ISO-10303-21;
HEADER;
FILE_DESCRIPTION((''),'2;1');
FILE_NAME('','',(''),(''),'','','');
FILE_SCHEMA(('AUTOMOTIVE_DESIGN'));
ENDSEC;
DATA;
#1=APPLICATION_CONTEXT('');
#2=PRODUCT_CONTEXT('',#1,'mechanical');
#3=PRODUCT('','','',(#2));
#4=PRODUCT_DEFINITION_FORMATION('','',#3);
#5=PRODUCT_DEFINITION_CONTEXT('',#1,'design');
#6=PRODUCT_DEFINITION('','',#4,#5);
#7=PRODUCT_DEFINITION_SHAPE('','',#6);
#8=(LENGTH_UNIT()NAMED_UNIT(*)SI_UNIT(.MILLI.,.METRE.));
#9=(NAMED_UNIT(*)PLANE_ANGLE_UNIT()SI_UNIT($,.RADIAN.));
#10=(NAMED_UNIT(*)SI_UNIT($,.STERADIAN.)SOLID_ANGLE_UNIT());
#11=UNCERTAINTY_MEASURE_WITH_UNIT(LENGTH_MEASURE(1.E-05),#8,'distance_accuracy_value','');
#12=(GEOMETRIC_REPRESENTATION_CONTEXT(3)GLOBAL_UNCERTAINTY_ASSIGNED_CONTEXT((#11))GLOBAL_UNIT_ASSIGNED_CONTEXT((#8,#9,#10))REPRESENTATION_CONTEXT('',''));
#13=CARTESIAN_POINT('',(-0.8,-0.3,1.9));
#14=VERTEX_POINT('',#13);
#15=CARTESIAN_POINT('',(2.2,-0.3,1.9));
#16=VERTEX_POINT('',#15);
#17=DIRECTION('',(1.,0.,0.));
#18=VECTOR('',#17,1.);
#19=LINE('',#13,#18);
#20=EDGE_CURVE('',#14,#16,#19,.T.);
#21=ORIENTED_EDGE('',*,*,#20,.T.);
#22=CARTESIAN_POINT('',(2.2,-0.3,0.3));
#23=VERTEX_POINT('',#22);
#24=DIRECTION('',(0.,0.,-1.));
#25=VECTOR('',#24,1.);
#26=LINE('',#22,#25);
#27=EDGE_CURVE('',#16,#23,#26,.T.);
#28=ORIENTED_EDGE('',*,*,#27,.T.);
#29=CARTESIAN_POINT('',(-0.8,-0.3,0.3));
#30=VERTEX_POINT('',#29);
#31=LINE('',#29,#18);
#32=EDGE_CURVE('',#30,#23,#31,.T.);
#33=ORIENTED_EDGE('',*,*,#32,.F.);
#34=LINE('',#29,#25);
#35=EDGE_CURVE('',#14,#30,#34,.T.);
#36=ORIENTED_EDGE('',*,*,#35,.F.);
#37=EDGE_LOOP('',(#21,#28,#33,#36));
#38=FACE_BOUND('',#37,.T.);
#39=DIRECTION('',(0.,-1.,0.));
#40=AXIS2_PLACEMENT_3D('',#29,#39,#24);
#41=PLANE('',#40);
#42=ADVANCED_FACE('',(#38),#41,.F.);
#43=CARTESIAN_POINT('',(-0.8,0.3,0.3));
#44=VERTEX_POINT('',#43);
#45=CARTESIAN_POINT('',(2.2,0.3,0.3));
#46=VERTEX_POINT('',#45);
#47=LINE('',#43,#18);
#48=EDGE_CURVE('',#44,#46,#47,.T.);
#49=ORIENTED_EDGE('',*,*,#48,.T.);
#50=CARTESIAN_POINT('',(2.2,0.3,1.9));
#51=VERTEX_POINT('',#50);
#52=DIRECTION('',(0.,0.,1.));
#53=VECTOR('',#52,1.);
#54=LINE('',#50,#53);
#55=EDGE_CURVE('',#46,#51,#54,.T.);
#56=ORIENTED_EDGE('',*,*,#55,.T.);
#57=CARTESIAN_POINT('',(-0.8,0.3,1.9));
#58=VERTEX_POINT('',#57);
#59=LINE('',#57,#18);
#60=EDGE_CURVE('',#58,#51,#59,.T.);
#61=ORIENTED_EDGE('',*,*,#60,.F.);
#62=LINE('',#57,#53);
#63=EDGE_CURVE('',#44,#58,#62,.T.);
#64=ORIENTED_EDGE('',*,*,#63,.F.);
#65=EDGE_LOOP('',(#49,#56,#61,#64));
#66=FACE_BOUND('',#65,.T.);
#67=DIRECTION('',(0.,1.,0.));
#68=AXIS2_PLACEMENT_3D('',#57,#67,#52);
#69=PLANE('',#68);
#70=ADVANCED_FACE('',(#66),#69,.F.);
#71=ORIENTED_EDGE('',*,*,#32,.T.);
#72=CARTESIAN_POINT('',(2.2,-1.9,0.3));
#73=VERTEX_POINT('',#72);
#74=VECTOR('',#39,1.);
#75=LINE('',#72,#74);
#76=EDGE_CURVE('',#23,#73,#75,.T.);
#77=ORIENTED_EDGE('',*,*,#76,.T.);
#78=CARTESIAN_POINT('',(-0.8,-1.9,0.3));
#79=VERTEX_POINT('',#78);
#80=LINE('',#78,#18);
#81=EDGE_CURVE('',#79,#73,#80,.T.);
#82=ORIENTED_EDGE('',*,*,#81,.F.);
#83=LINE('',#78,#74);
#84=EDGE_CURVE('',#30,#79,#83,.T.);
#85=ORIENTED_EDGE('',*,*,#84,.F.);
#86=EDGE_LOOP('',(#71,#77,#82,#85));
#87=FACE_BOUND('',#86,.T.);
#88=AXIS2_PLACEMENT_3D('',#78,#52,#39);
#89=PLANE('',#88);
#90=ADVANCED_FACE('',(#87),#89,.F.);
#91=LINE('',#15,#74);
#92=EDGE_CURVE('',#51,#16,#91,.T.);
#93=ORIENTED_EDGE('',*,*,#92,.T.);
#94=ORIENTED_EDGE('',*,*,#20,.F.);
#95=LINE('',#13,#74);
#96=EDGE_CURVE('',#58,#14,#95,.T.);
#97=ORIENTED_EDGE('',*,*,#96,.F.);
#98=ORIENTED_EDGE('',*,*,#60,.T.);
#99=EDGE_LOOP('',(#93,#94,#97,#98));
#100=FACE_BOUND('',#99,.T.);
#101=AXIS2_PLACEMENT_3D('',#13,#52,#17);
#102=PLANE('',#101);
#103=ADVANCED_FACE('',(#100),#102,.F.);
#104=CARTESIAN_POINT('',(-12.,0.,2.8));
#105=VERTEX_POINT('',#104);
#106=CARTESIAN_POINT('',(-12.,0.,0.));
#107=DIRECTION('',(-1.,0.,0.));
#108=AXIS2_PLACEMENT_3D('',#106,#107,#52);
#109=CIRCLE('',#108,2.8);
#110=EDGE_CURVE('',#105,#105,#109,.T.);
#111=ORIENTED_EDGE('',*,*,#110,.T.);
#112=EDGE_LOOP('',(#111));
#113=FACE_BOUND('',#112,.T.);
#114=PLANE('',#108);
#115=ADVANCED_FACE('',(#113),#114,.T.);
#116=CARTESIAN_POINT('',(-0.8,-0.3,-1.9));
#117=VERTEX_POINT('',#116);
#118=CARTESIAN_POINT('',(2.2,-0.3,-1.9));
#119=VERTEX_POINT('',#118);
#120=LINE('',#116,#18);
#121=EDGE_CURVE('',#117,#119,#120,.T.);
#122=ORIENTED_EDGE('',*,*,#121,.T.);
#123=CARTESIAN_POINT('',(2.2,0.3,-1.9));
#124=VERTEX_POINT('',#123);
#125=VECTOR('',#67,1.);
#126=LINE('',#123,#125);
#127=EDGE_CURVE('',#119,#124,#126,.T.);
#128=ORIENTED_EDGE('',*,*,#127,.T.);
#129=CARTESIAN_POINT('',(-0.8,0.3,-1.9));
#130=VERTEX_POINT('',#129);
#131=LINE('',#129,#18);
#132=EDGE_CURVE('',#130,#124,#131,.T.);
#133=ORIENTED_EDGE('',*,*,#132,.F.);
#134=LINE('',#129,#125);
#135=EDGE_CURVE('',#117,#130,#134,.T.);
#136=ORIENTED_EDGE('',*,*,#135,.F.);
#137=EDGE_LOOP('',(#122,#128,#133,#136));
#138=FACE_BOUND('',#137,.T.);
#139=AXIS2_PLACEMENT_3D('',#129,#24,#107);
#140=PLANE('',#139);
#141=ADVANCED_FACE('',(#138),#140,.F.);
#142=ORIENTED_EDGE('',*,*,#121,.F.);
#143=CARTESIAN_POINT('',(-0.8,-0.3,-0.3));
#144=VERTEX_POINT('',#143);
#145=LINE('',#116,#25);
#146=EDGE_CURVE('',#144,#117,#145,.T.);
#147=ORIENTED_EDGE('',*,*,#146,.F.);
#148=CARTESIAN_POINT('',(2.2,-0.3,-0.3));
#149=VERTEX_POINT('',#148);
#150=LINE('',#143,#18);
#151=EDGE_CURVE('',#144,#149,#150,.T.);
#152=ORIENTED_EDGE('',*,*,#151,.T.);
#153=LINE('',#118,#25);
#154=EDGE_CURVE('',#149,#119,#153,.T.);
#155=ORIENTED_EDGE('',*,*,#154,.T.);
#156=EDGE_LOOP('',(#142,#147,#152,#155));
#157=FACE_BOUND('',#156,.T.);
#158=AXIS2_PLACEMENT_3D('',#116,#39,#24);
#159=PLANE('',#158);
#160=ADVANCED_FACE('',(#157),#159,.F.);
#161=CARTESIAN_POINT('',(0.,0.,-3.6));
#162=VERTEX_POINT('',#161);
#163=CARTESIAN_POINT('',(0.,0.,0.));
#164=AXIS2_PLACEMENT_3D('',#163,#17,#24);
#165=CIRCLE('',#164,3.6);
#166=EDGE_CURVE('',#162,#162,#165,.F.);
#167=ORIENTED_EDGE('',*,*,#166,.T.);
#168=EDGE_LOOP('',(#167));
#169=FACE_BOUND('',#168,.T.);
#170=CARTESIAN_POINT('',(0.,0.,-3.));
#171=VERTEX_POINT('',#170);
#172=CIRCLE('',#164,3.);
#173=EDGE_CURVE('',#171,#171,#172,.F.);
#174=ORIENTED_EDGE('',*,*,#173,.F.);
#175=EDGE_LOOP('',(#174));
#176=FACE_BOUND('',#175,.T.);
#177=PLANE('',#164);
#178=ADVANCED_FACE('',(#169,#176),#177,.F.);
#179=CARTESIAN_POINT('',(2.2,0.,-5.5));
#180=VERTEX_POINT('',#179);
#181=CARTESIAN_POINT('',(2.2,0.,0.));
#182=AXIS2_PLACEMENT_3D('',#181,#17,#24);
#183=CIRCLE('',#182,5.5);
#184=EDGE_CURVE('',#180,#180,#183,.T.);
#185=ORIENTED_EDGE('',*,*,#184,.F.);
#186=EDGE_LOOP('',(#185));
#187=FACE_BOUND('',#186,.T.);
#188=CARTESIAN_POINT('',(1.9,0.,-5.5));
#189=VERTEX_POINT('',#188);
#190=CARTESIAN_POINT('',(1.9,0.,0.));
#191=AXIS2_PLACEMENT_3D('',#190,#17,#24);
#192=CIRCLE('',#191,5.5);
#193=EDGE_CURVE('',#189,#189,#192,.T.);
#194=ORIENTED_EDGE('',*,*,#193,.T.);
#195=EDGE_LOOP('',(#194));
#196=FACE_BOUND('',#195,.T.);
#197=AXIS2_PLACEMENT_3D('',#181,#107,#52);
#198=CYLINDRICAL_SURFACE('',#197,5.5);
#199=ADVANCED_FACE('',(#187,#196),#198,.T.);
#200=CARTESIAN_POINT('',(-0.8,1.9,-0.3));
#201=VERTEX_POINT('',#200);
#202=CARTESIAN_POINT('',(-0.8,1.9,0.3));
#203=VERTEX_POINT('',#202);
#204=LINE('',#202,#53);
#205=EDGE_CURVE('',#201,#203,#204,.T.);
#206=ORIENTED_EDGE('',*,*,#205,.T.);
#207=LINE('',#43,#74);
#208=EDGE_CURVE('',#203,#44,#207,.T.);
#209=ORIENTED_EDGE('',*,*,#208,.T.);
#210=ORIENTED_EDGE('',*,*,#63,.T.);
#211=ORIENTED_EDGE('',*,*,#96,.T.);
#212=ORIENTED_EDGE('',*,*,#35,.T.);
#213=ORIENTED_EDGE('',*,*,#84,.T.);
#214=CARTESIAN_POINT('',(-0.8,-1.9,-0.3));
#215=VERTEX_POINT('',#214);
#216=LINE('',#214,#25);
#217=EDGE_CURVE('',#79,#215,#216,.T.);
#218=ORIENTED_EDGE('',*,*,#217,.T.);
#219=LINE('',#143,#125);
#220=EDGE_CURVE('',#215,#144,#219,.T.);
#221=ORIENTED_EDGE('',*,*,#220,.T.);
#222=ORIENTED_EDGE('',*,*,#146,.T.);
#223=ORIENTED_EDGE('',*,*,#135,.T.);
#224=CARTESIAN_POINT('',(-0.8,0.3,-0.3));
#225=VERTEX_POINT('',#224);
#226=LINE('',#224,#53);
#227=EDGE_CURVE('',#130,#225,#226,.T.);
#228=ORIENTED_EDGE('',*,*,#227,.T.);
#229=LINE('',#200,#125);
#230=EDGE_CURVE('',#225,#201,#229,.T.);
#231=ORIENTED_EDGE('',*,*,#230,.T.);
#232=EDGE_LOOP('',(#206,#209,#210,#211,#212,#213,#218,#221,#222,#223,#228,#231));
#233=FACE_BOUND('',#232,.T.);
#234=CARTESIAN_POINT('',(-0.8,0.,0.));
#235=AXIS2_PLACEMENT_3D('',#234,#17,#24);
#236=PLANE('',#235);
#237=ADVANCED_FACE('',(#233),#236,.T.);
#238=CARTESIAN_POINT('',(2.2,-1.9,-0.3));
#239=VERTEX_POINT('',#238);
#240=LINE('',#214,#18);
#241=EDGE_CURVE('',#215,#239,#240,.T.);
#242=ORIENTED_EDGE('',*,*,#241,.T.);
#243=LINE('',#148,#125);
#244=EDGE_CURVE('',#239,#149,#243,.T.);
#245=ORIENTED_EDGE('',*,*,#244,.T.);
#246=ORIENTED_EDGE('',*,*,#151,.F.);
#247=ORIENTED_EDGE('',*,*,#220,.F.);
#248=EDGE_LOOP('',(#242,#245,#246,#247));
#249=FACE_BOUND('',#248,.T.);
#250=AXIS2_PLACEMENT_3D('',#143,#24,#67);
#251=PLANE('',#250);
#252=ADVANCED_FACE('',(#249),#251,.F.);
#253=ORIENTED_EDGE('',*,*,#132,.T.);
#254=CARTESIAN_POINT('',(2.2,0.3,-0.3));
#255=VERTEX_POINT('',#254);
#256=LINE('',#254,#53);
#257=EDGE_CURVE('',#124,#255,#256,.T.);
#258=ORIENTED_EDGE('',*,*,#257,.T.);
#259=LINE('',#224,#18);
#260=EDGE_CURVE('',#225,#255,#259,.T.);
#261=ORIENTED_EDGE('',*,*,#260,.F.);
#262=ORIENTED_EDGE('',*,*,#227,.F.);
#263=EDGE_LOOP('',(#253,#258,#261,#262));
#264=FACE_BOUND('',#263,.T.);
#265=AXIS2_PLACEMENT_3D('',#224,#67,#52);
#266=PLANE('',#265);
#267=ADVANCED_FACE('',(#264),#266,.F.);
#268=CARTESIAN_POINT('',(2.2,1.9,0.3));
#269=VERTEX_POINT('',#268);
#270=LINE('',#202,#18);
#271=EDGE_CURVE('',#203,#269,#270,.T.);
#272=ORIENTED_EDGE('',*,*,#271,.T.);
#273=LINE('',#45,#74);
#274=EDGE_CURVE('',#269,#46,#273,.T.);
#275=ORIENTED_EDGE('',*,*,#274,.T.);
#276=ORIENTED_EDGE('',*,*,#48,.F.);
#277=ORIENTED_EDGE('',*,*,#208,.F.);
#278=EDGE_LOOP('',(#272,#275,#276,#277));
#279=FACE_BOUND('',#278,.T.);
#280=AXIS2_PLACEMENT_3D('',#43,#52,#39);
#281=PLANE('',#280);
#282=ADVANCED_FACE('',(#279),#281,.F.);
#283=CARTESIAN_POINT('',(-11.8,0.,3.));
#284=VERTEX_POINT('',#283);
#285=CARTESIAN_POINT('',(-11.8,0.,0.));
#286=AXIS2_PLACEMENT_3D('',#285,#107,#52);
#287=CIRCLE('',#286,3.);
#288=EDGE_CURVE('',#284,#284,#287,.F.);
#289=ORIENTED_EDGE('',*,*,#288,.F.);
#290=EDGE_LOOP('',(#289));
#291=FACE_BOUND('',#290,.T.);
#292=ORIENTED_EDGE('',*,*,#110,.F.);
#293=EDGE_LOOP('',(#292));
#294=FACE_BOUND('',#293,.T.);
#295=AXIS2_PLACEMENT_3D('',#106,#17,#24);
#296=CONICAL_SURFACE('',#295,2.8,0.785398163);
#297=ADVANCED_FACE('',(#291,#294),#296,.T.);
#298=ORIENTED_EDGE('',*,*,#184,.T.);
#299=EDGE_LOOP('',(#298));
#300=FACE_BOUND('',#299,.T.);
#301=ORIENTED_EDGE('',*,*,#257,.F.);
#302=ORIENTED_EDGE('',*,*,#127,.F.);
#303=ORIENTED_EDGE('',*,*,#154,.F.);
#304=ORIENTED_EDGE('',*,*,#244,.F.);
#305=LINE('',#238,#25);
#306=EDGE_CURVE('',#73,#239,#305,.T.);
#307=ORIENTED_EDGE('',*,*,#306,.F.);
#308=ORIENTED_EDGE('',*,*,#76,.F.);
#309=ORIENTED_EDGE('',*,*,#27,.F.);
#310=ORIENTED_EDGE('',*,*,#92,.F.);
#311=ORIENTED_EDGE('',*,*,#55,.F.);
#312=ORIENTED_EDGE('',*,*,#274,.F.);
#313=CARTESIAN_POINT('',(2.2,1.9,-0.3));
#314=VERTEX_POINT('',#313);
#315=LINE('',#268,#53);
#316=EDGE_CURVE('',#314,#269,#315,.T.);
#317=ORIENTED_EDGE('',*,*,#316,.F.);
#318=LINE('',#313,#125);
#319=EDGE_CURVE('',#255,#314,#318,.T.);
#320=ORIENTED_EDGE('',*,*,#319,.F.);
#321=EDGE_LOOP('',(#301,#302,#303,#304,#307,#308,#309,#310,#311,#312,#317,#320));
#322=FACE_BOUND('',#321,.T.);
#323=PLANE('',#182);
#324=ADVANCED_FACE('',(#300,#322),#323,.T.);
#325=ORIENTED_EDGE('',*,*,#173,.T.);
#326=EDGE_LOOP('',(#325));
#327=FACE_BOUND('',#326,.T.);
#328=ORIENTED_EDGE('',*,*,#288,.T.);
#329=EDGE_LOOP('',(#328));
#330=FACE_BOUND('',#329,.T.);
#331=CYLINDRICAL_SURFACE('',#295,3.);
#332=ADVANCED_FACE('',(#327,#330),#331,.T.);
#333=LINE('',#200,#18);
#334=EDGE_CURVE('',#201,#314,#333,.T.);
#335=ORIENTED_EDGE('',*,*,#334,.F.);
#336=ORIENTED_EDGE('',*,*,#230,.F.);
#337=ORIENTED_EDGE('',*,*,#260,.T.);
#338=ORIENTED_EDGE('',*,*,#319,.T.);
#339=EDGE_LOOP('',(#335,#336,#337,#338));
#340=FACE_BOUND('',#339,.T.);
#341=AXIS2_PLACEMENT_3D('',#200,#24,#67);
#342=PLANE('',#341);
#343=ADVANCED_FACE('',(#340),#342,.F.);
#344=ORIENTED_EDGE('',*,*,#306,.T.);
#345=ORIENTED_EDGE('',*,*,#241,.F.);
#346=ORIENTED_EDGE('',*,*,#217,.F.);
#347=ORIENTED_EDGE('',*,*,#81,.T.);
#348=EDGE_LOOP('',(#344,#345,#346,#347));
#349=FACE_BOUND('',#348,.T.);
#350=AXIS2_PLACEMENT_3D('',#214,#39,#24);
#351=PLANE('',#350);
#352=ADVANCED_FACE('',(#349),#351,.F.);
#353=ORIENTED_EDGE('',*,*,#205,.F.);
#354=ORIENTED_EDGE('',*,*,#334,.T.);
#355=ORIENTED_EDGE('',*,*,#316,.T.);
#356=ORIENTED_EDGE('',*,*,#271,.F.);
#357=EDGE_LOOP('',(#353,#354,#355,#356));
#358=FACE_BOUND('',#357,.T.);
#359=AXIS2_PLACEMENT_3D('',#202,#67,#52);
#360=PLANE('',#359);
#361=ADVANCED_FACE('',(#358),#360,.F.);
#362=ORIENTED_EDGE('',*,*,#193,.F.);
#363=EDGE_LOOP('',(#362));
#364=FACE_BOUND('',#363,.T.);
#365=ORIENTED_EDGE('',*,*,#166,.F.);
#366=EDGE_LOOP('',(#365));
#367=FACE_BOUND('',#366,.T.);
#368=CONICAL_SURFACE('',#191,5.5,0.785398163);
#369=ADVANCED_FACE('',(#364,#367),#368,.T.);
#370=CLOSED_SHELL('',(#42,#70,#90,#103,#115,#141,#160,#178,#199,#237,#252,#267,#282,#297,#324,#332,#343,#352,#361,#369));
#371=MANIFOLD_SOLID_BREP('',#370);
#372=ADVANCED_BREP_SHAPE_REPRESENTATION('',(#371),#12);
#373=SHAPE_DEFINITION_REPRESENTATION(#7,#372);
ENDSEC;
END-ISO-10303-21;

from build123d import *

# Parameters (mm, degrees)
SKETCH_1_R          = 5.5
EXTRUDE_1_DEPTH     = 2.2
SKETCH_2_R          = 3
EXTRUDE_3_DEPTH     = 12
CHAMFER_2_SIZE      = 0.2
CHAMFER_3_SIZE      = 1.9
CUT_EXTRUDE_2_DEPTH = 3


with BuildPart() as part:
    # 草图1 → 凸台-拉伸1 (new body)
    with BuildSketch(Plane(origin=(0, 0, 0), x_dir=(0, 0, -1), z_dir=(1, 0, 0))):
        Circle(SKETCH_1_R)
    extrude(amount=EXTRUDE_1_DEPTH)

    # 草图2 → 凸台-拉伸3 (add)
    with BuildSketch(Plane.ZY):
        Circle(SKETCH_2_R)
    extrude(amount=EXTRUDE_3_DEPTH)

    # 倒角2
    chamfer_2_edges = [part.edges().sort_by_distance(p)[0] for p in [
        (-12, 0, -3),
    ]]
    chamfer(chamfer_2_edges, length=CHAMFER_2_SIZE)

    # 倒角3
    chamfer_3_edges = [part.edges().sort_by_distance(p)[0] for p in [
        (0, 0, 5.5),
    ]]
    chamfer(chamfer_3_edges, length=CHAMFER_3_SIZE)

    # 草图5 → 切除-拉伸2 (cut)
    with BuildSketch(Plane(origin=(2.2, 0, 0), x_dir=(0, 0, -1), z_dir=(1, 0, 0))):
        Polygon((0.3, 0.3), (1.9, 0.3), (1.9, -0.3), (0.3, -0.3), (0.3, -1.9), (-0.3, -1.9), (-0.3, -0.3), (-1.9, -0.3), (-1.9, 0.3), (-0.3, 0.3), (-0.3, 1.9), (0.3, 1.9), align=None)
    extrude(amount=-CUT_EXTRUDE_2_DEPTH, mode=Mode.SUBTRACT)


solid = part.part
